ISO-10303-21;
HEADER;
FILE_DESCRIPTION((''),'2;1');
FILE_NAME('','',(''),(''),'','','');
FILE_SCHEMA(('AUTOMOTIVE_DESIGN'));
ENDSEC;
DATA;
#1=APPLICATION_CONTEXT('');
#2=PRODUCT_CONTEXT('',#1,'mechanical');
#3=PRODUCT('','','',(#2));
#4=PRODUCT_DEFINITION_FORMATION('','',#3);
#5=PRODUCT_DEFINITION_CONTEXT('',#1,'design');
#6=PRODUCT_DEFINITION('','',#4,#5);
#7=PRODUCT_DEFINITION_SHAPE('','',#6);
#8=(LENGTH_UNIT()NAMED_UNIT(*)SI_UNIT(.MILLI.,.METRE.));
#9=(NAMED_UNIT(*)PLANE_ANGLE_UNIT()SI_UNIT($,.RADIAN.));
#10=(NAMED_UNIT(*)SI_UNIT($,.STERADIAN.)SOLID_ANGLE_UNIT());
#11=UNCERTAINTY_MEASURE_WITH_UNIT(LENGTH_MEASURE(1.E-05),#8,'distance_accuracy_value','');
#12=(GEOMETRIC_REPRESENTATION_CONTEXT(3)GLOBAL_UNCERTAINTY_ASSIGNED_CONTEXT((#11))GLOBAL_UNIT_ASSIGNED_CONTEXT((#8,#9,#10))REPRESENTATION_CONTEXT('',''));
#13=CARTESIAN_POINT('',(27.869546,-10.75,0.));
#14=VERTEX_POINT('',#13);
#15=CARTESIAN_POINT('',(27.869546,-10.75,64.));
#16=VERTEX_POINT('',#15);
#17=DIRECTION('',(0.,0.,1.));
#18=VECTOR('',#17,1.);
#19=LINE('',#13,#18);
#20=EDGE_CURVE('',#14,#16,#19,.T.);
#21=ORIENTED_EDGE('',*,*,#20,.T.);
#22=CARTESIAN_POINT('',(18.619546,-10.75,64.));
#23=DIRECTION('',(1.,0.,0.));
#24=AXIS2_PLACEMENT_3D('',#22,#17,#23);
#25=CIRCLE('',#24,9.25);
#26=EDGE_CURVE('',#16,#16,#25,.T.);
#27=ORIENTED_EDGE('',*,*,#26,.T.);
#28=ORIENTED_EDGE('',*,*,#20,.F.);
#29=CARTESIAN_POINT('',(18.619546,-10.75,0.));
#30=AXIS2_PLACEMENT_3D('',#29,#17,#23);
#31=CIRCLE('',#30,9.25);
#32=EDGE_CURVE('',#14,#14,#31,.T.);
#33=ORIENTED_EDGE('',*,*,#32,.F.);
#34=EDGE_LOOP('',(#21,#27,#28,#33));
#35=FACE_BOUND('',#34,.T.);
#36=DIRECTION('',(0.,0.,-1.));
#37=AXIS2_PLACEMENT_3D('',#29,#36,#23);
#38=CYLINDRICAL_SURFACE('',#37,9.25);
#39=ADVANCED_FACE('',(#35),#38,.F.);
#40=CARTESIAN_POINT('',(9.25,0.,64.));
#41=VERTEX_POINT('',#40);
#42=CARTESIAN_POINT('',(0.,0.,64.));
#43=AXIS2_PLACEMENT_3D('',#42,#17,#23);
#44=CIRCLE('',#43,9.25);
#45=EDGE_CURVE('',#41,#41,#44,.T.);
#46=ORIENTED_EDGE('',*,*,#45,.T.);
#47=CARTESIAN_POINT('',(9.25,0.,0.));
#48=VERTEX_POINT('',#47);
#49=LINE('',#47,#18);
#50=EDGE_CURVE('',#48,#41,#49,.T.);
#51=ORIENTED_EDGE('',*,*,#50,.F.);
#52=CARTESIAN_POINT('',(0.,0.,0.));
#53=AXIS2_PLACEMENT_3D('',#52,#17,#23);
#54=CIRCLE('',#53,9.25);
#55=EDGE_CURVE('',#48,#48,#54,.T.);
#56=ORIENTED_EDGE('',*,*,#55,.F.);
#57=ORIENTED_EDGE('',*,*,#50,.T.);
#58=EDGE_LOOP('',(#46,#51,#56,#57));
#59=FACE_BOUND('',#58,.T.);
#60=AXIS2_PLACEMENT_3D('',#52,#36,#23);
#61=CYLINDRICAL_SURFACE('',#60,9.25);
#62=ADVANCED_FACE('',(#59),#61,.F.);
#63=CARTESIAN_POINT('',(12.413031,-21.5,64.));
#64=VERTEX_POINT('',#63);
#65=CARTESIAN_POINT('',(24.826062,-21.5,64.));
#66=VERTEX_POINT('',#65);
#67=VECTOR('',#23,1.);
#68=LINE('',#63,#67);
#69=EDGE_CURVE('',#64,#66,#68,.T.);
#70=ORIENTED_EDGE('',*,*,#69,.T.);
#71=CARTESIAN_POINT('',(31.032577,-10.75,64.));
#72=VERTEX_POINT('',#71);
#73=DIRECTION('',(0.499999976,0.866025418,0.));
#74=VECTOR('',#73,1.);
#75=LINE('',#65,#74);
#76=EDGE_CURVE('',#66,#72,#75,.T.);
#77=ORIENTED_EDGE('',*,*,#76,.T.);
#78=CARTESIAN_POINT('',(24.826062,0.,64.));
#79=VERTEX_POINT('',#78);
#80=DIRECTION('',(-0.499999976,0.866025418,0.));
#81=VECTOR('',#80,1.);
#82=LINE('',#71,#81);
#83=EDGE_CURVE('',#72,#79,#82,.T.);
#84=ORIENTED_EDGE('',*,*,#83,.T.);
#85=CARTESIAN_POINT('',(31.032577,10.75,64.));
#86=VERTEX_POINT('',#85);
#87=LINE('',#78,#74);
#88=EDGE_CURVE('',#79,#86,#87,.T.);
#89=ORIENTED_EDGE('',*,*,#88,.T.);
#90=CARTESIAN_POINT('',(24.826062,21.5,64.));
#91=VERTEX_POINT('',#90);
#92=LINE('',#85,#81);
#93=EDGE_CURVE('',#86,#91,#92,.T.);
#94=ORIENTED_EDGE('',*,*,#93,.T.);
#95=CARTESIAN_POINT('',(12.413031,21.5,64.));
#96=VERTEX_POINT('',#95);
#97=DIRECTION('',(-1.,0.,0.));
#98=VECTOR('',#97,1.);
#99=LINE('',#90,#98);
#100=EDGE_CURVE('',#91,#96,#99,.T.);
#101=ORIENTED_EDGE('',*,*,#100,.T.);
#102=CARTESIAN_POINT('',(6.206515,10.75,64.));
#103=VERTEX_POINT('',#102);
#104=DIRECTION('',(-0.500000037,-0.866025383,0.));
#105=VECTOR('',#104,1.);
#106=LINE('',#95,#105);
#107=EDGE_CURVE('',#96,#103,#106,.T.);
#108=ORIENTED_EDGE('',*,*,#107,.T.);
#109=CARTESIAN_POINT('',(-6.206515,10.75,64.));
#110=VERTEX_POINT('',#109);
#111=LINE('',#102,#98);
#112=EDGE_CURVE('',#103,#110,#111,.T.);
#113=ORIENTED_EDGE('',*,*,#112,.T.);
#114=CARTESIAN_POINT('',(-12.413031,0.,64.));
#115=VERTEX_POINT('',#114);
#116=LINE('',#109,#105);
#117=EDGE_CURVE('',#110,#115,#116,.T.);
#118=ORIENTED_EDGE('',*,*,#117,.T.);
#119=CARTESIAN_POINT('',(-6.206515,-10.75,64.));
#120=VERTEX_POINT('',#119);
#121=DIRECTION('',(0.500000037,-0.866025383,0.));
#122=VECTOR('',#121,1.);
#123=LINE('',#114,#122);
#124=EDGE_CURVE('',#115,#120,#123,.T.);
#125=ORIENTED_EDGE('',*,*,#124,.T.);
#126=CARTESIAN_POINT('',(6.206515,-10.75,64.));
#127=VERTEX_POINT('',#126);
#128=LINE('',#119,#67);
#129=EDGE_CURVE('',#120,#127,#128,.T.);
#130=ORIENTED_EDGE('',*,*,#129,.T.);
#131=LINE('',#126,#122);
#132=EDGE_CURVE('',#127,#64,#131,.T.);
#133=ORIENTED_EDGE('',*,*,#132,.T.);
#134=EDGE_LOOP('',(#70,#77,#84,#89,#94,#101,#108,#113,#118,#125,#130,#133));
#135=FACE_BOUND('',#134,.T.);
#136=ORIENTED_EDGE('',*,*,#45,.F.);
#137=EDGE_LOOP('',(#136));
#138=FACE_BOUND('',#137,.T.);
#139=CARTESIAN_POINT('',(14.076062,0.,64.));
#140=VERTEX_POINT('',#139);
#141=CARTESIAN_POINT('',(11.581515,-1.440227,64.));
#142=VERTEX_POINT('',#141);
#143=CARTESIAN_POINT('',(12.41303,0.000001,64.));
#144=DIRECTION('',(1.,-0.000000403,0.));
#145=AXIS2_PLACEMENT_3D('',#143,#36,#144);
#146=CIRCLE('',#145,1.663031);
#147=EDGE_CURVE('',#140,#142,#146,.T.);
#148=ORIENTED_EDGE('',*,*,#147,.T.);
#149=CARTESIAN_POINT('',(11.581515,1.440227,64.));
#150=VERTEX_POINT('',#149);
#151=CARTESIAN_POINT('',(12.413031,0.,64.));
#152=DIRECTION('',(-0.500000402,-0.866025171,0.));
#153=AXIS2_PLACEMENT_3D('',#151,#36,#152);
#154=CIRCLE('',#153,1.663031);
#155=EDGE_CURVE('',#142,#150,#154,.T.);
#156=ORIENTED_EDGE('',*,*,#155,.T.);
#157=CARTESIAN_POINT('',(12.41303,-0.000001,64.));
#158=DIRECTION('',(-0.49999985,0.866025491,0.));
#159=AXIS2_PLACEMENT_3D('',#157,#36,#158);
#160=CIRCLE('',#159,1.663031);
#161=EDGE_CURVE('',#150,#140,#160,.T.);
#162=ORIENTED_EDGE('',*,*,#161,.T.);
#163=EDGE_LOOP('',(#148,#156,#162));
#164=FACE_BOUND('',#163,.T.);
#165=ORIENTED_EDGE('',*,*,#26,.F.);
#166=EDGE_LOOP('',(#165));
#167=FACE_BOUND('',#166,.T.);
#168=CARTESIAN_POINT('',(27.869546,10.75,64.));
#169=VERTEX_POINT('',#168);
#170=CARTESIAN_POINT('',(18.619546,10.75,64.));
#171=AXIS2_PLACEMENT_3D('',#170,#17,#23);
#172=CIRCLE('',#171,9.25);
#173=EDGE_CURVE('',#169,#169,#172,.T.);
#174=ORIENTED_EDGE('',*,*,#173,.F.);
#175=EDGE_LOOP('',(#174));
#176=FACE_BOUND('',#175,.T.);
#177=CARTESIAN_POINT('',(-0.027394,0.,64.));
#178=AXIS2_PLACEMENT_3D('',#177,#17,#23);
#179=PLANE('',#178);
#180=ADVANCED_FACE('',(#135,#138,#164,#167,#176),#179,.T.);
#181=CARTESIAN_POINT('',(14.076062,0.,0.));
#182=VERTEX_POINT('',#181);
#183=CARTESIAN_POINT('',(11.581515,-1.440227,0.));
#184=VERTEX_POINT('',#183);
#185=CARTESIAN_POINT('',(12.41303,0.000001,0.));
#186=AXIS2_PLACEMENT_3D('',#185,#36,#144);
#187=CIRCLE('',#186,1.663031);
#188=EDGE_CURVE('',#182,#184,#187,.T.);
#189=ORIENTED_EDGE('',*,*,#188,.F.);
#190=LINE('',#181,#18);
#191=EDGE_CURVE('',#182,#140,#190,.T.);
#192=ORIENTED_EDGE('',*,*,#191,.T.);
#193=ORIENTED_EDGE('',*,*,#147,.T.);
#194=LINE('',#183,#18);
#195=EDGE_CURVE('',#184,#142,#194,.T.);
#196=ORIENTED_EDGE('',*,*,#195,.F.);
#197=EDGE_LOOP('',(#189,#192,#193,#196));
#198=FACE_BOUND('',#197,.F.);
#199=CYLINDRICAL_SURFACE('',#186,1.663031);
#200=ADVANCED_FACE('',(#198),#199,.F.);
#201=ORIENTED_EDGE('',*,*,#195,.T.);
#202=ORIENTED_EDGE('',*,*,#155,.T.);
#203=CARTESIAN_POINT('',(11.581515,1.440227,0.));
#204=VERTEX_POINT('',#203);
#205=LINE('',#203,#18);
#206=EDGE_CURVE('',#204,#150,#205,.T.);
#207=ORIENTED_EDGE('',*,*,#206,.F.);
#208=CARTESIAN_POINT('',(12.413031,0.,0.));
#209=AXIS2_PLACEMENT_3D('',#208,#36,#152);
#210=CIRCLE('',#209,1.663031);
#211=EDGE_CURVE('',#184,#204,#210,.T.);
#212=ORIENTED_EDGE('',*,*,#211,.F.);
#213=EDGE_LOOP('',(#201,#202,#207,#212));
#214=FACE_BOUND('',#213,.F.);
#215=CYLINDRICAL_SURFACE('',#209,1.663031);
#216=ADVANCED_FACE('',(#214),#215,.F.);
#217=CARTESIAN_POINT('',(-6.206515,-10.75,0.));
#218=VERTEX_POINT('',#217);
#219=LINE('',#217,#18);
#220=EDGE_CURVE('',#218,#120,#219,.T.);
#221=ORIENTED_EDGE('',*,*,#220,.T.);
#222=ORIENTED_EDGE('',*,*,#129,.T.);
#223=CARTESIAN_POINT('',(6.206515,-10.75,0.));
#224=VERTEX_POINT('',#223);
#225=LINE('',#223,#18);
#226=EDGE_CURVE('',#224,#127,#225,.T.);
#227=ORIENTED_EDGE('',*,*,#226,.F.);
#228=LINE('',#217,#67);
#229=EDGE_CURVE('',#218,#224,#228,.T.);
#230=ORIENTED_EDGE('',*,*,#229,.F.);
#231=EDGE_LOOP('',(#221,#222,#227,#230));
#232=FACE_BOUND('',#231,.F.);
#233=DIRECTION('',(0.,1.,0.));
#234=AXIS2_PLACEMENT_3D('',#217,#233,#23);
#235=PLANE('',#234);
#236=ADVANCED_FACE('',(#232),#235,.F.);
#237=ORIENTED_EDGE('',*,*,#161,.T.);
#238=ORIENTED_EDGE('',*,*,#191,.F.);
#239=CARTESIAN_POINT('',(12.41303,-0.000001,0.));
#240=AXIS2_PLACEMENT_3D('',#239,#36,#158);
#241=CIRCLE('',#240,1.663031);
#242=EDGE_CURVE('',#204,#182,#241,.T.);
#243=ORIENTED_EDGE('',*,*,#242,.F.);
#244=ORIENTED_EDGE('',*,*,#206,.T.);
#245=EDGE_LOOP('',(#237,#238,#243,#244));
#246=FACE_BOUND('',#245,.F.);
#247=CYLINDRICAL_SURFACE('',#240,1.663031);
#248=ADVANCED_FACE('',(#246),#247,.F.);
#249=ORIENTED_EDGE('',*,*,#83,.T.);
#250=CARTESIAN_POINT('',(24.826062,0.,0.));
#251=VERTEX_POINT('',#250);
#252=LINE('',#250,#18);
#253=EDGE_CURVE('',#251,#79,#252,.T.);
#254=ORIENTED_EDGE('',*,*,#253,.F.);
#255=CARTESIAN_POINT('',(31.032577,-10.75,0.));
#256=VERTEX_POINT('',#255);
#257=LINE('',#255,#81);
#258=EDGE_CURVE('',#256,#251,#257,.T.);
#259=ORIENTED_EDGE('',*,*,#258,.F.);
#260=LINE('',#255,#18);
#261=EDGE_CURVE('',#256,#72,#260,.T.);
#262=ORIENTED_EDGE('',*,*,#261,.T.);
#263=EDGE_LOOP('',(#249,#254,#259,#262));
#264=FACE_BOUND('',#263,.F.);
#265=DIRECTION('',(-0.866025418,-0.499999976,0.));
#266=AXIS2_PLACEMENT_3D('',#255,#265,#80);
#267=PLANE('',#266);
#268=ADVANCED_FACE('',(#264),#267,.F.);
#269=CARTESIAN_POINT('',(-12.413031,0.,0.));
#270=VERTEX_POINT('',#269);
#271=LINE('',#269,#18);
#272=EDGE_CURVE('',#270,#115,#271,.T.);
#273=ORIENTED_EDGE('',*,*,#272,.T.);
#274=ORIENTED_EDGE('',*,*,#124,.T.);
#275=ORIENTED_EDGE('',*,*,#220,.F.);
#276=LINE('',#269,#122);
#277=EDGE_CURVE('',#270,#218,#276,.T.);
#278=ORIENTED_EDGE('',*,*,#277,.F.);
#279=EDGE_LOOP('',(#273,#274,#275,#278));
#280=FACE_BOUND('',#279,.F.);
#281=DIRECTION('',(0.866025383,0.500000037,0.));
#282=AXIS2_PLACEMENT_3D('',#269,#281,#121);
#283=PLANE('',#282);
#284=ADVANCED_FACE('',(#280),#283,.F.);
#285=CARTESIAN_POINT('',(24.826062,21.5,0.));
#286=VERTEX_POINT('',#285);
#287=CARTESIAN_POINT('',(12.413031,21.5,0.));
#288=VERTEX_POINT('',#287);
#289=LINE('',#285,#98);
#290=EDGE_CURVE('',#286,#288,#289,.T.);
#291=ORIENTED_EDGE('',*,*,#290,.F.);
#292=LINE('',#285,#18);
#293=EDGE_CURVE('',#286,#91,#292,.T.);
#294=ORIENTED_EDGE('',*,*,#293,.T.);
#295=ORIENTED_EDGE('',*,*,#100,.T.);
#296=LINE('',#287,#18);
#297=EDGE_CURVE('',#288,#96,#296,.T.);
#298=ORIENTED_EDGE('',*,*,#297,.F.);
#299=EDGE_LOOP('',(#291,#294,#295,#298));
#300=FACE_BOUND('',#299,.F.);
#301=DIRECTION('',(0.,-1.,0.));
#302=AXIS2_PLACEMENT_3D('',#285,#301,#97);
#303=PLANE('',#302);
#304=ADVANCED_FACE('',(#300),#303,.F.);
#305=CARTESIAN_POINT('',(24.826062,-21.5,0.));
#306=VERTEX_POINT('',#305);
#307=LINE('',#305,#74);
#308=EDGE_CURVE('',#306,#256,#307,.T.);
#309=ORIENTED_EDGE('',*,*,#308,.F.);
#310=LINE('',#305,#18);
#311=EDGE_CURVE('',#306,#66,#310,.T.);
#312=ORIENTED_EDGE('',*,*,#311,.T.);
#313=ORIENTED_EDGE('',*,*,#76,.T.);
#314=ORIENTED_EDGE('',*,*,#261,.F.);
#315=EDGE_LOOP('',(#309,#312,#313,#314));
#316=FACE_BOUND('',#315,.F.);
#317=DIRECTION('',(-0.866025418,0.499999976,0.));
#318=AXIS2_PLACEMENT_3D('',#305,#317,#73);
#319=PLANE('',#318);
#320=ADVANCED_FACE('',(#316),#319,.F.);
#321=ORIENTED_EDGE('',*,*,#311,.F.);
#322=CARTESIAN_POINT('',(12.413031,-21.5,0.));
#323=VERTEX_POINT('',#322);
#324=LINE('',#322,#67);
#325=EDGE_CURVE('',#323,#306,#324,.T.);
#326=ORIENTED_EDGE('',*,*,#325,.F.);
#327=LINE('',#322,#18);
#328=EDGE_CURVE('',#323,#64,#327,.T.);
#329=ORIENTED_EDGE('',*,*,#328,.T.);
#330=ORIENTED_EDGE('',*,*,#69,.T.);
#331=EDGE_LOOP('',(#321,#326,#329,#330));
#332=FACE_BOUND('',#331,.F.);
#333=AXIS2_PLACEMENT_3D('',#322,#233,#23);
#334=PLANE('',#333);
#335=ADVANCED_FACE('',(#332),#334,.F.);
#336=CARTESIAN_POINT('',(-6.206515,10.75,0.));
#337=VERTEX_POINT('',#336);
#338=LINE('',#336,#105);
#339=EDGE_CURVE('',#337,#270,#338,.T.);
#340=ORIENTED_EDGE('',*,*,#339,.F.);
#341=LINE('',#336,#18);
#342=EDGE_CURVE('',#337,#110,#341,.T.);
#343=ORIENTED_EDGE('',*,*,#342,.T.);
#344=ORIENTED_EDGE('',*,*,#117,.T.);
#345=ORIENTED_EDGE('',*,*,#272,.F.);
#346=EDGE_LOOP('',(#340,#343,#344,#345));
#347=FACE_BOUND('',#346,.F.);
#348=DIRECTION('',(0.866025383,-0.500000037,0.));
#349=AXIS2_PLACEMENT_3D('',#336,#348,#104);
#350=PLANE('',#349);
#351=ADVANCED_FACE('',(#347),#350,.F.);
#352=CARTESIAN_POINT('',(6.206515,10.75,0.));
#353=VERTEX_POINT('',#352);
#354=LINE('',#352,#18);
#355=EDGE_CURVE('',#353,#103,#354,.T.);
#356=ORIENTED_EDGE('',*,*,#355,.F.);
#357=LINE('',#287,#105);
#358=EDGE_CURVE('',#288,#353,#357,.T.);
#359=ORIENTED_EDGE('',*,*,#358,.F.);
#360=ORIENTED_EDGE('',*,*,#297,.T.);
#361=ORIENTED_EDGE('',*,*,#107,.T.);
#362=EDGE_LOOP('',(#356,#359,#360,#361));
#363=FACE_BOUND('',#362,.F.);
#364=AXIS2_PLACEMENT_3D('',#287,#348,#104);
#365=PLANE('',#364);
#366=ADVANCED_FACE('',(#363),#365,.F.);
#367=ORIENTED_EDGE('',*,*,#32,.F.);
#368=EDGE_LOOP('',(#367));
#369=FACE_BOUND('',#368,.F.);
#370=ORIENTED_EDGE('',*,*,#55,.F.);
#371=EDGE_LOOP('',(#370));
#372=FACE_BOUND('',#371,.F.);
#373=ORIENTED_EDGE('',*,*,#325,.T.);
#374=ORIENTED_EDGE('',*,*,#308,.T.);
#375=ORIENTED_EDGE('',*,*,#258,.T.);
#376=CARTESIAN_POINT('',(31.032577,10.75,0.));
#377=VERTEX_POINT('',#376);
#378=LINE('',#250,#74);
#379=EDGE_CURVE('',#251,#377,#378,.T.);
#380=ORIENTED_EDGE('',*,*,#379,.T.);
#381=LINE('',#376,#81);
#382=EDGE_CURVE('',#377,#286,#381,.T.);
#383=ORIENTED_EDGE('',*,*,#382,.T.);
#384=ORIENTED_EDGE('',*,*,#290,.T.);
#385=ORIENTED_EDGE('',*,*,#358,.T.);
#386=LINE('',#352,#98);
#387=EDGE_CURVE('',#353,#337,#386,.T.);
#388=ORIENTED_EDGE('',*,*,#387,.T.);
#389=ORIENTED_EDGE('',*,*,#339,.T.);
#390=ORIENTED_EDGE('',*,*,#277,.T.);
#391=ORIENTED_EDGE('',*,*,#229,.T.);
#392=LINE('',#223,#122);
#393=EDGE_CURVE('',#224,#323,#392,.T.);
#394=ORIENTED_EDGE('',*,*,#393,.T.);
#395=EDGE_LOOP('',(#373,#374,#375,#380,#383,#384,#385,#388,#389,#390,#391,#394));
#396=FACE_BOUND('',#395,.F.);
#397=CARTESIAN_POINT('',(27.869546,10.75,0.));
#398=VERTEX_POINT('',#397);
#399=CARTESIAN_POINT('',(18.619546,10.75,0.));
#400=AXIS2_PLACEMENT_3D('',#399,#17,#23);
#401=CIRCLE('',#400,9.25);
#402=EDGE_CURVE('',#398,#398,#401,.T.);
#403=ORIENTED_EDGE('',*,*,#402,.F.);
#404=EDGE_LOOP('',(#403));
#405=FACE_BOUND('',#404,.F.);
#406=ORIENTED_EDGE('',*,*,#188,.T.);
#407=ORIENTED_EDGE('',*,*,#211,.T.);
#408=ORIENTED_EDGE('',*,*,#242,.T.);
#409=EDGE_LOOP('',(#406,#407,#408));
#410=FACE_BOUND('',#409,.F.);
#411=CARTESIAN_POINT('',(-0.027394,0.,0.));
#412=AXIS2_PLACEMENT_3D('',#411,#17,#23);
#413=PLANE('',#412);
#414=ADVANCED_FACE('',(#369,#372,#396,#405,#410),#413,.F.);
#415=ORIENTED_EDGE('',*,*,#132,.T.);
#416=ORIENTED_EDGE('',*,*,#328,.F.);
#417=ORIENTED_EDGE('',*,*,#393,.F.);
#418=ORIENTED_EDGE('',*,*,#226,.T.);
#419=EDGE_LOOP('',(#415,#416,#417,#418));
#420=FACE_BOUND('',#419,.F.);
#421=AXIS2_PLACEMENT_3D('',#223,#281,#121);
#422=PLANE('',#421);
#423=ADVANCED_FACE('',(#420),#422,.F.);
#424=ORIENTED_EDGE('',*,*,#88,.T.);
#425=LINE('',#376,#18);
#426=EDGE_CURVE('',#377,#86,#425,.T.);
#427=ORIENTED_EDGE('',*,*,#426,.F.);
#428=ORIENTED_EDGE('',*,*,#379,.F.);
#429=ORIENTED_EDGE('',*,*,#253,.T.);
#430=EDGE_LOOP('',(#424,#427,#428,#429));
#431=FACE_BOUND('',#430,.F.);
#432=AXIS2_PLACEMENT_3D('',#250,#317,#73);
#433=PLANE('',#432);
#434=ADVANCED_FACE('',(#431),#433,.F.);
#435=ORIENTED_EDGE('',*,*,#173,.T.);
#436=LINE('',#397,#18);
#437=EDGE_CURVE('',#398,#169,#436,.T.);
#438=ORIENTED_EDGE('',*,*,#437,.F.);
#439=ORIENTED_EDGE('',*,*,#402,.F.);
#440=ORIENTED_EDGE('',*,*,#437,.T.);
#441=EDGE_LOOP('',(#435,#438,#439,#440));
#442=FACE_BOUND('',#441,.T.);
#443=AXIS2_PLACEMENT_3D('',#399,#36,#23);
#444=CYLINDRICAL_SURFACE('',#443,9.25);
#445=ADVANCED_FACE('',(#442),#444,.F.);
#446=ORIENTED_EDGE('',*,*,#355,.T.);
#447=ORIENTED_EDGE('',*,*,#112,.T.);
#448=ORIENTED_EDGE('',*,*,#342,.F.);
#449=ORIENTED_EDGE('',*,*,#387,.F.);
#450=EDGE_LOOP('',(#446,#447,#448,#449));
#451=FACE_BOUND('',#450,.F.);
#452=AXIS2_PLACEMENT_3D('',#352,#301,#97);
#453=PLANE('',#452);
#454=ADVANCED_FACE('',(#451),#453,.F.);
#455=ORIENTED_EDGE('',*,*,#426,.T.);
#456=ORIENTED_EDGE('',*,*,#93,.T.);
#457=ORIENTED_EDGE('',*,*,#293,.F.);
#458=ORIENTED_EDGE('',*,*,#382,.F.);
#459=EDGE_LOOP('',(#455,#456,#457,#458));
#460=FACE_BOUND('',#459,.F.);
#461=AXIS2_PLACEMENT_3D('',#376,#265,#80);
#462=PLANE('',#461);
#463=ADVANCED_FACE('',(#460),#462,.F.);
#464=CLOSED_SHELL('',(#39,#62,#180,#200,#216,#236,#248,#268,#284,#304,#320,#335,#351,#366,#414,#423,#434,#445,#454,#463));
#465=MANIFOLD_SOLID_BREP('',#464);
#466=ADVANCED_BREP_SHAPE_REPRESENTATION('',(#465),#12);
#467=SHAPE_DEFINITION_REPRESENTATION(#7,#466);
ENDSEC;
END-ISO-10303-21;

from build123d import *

# Parameters (mm, degrees)
F0_R     = 9.25
F1_DEPTH = 64


with BuildPart() as f1:
    # F0 (on Top) → F1 (new body)
    with BuildSketch(Plane.XY):
        with BuildLine():
            Line((6.206515, 10.75), (-6.206515, 10.75))
            Line((-6.206515, 10.75), (-12.413031, 0))
            Line((-12.413031, 0), (-6.206515, -10.75))
            Line((-6.206515, -10.75), (6.206515, -10.75))
            Line((6.206515, -10.75), (11.581515, -1.440227))
            ThreePointArc((11.581515, -1.440227), (10.75, 0), (11.581515, 1.440227))
            Line((11.581515, 1.440227), (6.206515, 10.75))
        make_face()
        Circle(F0_R, mode=Mode.SUBTRACT)
        with BuildLine():
            Line((12.413031, 21.5), (6.206515, 10.75))
            Line((6.206515, 10.75), (11.581515, 1.440227))
            ThreePointArc((11.581515, 1.440227), (13.244546, 1.440227), (14.076062, 0))
            Line((14.076062, 0), (24.826062, 0))
            Line((24.826062, 0), (31.032577, 10.75))
            Line((31.032577, 10.75), (24.826062, 21.5))
            Line((24.826062, 21.5), (12.413031, 21.5))
        make_face()
        with Locations((18.619546, 10.75)):
            Circle(F0_R, mode=Mode.SUBTRACT)
        with BuildLine():
            Line((24.826062, 0), (14.076062, 0))
            ThreePointArc((14.076062, 0), (13.244546, -1.440227), (11.581515, -1.440227))
            Line((11.581515, -1.440227), (6.206515, -10.75))
            Line((6.206515, -10.75), (12.413031, -21.5))
            Line((12.413031, -21.5), (24.826062, -21.5))
            Line((24.826062, -21.5), (31.032577, -10.75))
            Line((31.032577, -10.75), (24.826062, 0))
        make_face()
        with Locations((18.619546, -10.75)):
            Circle(F0_R, mode=Mode.SUBTRACT)
    extrude(amount=F1_DEPTH)


solid = f1.part
